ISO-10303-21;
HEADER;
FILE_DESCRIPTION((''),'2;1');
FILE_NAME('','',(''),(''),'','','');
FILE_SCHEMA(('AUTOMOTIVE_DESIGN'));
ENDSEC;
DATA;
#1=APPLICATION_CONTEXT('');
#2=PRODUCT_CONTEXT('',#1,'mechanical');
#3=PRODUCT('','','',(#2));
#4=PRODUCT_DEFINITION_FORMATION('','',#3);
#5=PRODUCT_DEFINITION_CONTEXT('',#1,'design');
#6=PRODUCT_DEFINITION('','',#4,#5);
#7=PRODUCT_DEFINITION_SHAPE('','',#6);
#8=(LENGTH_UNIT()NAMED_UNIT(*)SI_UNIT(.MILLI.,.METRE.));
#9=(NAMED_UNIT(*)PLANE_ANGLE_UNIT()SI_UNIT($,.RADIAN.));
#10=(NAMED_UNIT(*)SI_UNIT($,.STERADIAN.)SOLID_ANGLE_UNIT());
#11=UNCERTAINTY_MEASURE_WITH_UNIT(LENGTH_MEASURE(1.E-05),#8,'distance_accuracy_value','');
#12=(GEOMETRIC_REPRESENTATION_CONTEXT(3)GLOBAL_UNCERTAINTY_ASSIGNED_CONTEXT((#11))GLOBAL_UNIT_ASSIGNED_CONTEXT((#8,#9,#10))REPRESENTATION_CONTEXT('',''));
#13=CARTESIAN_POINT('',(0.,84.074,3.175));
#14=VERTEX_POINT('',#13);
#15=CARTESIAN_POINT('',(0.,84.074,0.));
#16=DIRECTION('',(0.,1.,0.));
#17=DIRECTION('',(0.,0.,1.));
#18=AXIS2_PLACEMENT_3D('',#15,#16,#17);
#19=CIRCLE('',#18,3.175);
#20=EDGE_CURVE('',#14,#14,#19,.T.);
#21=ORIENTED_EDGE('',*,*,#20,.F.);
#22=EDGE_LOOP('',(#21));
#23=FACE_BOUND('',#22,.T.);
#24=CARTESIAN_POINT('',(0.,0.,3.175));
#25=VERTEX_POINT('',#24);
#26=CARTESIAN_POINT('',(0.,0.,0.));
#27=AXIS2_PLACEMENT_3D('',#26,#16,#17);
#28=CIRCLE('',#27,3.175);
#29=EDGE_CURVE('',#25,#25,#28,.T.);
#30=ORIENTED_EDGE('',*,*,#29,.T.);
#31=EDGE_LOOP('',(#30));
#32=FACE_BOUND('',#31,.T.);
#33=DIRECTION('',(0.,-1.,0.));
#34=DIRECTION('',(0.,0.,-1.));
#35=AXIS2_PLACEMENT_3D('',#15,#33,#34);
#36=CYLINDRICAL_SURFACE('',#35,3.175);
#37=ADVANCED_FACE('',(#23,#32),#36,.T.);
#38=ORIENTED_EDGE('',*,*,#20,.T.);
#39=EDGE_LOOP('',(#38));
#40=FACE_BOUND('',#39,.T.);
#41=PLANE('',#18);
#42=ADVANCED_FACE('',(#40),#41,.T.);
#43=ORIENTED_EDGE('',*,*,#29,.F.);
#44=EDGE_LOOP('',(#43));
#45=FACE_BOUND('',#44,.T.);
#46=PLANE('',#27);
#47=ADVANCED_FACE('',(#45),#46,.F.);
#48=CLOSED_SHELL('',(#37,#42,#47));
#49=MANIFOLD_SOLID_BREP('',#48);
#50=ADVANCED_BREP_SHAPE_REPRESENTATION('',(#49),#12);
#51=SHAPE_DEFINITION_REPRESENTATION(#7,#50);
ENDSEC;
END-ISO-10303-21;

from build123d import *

# Parameters (mm, degrees)
SKETCH1_R           = 3.175
BOSS_EXTRUDE1_DEPTH = 84.074


with BuildPart() as part:
    # Sketch1 → Boss-Extrude1 (new body)
    with BuildSketch(Plane(origin=(0, 0, 0), x_dir=(1, 0, 0), z_dir=(0, 1, 0))):
        Circle(SKETCH1_R)
    extrude(amount=BOSS_EXTRUDE1_DEPTH)


solid = part.part
